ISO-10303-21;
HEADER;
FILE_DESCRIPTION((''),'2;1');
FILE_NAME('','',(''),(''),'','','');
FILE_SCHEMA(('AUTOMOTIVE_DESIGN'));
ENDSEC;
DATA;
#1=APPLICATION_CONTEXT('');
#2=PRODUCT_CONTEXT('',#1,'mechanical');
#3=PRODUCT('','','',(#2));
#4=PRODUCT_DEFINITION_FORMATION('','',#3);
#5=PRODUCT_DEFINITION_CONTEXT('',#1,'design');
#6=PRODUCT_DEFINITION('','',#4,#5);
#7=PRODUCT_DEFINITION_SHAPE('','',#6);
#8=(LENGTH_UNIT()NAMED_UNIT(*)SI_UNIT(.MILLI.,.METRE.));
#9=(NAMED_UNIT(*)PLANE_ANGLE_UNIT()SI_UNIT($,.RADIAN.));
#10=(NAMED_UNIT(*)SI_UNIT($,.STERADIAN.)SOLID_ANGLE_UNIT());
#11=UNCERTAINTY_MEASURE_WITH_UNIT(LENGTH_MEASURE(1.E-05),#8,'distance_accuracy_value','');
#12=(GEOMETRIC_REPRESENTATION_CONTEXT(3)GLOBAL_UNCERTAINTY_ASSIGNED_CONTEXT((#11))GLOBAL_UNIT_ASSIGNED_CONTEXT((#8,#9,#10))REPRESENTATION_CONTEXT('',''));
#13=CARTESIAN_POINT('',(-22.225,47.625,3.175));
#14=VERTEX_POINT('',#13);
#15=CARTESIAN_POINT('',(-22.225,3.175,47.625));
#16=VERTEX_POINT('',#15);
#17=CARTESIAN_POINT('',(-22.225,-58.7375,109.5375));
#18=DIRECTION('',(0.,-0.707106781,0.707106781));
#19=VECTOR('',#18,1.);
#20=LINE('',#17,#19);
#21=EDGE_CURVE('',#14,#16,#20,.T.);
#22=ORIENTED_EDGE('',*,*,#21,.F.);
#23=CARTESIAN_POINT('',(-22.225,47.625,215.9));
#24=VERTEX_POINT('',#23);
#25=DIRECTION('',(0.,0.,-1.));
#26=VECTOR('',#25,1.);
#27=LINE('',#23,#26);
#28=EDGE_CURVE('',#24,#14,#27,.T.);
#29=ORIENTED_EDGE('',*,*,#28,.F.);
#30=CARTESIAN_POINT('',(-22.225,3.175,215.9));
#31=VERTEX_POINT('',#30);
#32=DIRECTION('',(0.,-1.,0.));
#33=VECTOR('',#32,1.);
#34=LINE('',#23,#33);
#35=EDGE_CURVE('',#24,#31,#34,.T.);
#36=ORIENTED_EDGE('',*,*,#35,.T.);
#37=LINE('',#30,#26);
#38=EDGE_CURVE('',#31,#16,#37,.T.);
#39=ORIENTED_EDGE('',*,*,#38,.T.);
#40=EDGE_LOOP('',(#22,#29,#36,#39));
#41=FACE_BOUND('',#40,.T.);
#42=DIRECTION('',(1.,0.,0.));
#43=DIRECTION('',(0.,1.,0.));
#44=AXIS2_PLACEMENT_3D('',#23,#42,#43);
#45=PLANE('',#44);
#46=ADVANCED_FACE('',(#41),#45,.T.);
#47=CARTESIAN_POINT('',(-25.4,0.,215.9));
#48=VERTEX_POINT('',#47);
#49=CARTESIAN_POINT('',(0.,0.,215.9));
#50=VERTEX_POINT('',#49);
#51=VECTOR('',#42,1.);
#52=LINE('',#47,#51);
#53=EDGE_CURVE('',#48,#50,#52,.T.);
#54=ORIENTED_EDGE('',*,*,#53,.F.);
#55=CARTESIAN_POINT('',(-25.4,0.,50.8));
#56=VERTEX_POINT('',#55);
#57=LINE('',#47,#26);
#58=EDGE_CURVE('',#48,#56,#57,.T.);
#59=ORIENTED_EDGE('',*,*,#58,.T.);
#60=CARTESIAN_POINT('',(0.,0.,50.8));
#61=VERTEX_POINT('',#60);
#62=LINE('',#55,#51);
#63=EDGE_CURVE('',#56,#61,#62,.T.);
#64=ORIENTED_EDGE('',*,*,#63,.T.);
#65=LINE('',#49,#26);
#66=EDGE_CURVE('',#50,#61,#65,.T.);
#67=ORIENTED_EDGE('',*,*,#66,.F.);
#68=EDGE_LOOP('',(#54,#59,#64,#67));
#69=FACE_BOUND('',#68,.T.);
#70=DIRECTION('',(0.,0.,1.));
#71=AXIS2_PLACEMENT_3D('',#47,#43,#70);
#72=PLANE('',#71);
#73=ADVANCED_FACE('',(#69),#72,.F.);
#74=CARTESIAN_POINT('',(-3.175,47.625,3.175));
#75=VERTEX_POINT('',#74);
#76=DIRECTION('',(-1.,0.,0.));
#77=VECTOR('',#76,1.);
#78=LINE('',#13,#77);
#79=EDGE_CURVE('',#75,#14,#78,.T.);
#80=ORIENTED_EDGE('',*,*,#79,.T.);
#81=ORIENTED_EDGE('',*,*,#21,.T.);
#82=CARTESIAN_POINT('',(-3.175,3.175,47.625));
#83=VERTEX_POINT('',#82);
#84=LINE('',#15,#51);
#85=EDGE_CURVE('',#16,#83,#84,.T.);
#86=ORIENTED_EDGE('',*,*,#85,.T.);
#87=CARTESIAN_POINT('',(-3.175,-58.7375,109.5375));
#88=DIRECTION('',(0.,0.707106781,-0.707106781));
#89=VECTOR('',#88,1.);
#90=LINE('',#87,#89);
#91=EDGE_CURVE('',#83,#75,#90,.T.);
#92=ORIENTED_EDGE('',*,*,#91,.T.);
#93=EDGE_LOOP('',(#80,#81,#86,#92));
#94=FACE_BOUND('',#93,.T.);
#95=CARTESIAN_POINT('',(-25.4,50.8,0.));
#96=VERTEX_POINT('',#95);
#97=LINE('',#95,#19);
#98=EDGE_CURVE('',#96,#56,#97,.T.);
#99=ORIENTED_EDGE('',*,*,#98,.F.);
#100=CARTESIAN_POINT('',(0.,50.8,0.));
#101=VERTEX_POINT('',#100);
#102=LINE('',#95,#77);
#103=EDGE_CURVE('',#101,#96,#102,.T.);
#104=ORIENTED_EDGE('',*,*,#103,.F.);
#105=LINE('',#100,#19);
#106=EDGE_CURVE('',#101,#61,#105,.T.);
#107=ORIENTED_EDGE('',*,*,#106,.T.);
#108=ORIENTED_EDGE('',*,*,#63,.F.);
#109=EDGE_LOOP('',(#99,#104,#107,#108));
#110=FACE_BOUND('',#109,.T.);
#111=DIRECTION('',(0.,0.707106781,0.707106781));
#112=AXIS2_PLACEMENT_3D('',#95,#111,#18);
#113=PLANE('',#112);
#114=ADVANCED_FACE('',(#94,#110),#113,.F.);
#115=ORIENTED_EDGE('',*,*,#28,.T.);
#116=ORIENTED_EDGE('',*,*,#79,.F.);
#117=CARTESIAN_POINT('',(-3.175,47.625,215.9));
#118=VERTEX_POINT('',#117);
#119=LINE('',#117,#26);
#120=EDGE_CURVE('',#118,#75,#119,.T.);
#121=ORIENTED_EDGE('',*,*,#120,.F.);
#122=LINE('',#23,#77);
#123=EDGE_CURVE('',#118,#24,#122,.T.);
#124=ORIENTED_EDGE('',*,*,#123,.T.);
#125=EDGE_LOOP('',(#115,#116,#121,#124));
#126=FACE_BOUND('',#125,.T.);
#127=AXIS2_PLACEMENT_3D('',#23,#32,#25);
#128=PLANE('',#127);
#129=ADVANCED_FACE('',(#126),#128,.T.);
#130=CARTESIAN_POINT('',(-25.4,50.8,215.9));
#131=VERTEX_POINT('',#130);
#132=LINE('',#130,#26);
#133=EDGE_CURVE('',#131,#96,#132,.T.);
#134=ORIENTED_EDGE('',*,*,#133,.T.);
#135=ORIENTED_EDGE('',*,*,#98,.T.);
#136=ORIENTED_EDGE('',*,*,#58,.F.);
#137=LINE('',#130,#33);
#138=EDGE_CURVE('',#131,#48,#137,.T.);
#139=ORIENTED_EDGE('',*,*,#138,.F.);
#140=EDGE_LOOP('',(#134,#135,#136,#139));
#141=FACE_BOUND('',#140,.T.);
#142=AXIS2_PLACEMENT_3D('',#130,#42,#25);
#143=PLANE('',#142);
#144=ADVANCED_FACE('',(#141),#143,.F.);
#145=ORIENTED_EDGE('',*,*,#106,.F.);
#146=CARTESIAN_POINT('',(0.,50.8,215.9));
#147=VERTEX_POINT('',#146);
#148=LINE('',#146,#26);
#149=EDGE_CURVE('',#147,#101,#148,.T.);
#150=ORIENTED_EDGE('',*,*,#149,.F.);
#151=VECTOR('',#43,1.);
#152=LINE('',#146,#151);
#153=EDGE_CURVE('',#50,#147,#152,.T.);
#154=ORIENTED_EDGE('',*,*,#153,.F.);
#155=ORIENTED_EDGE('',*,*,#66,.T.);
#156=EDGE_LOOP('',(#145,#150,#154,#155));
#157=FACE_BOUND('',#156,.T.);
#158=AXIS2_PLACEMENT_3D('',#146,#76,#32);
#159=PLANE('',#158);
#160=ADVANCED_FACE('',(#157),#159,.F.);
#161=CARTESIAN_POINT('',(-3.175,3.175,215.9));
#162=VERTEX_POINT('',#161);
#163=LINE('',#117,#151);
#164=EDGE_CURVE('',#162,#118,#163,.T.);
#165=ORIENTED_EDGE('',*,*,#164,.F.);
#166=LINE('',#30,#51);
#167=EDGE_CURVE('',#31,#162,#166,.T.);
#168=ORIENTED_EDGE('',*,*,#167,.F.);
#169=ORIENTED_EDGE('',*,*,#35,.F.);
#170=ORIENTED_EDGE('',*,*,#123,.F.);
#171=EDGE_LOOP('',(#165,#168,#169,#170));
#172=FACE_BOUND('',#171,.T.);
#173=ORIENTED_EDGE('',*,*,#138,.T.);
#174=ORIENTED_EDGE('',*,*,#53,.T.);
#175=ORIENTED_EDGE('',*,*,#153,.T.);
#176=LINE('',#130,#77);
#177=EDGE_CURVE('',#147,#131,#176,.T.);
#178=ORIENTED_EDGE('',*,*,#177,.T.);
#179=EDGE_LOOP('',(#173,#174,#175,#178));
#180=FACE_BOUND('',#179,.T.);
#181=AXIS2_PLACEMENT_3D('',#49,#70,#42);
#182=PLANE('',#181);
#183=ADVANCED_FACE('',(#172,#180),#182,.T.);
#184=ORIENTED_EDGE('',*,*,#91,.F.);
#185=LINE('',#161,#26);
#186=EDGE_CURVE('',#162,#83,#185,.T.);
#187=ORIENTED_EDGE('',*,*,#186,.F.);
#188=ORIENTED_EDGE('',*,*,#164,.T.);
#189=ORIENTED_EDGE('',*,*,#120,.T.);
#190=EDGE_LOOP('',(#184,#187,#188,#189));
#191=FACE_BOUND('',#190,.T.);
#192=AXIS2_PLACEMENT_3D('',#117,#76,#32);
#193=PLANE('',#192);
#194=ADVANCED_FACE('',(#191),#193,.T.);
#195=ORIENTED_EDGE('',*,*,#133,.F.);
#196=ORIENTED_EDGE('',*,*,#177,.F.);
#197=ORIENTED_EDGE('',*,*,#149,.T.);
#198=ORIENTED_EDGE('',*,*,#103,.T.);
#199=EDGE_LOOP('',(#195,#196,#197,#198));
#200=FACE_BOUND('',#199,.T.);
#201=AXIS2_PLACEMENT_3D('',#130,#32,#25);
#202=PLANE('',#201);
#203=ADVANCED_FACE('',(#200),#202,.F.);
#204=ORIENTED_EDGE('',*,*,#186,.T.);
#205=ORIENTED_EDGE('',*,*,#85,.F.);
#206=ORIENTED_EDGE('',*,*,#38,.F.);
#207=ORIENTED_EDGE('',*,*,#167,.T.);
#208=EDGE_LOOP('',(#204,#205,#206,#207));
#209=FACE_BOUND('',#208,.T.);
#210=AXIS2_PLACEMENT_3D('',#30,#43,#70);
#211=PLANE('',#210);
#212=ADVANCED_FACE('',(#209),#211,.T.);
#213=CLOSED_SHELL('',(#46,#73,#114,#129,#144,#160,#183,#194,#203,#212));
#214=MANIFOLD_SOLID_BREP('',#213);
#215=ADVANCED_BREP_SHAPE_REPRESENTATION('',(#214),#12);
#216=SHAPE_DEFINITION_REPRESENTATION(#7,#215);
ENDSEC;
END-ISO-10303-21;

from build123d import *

# Parameters (mm, degrees)
SKETCH1_W           = 25.4
SKETCH1_H           = 50.8
SKETCH1_W_2         = 19.05
SKETCH1_H_2         = 44.45
BOSS_EXTRUDE1_DEPTH = 215.9
CUT_EXTRUDE1_DEPTH  = 25.4


with BuildPart() as part:
    # Sketch1 → Boss-Extrude1 (new body)
    with BuildSketch(Plane.XY):
        with Locations((-12.7, 25.4)):
            Rectangle(SKETCH1_W, SKETCH1_H)
        with Locations((-12.7, 25.4)):
            Rectangle(SKETCH1_W_2, SKETCH1_H_2, mode=Mode.SUBTRACT)
    extrude(amount=BOSS_EXTRUDE1_DEPTH)

    # Sketch2 → Cut-Extrude1 (cut)
    with BuildSketch(Plane(origin=(0, 0, 0), x_dir=(0, 0, -1), z_dir=(1, 0, 0))):
        Polygon((0, 50.8), (-50.8, 0), (0, 0), align=None)
    extrude(amount=-CUT_EXTRUDE1_DEPTH, mode=Mode.SUBTRACT)


solid = part.part
